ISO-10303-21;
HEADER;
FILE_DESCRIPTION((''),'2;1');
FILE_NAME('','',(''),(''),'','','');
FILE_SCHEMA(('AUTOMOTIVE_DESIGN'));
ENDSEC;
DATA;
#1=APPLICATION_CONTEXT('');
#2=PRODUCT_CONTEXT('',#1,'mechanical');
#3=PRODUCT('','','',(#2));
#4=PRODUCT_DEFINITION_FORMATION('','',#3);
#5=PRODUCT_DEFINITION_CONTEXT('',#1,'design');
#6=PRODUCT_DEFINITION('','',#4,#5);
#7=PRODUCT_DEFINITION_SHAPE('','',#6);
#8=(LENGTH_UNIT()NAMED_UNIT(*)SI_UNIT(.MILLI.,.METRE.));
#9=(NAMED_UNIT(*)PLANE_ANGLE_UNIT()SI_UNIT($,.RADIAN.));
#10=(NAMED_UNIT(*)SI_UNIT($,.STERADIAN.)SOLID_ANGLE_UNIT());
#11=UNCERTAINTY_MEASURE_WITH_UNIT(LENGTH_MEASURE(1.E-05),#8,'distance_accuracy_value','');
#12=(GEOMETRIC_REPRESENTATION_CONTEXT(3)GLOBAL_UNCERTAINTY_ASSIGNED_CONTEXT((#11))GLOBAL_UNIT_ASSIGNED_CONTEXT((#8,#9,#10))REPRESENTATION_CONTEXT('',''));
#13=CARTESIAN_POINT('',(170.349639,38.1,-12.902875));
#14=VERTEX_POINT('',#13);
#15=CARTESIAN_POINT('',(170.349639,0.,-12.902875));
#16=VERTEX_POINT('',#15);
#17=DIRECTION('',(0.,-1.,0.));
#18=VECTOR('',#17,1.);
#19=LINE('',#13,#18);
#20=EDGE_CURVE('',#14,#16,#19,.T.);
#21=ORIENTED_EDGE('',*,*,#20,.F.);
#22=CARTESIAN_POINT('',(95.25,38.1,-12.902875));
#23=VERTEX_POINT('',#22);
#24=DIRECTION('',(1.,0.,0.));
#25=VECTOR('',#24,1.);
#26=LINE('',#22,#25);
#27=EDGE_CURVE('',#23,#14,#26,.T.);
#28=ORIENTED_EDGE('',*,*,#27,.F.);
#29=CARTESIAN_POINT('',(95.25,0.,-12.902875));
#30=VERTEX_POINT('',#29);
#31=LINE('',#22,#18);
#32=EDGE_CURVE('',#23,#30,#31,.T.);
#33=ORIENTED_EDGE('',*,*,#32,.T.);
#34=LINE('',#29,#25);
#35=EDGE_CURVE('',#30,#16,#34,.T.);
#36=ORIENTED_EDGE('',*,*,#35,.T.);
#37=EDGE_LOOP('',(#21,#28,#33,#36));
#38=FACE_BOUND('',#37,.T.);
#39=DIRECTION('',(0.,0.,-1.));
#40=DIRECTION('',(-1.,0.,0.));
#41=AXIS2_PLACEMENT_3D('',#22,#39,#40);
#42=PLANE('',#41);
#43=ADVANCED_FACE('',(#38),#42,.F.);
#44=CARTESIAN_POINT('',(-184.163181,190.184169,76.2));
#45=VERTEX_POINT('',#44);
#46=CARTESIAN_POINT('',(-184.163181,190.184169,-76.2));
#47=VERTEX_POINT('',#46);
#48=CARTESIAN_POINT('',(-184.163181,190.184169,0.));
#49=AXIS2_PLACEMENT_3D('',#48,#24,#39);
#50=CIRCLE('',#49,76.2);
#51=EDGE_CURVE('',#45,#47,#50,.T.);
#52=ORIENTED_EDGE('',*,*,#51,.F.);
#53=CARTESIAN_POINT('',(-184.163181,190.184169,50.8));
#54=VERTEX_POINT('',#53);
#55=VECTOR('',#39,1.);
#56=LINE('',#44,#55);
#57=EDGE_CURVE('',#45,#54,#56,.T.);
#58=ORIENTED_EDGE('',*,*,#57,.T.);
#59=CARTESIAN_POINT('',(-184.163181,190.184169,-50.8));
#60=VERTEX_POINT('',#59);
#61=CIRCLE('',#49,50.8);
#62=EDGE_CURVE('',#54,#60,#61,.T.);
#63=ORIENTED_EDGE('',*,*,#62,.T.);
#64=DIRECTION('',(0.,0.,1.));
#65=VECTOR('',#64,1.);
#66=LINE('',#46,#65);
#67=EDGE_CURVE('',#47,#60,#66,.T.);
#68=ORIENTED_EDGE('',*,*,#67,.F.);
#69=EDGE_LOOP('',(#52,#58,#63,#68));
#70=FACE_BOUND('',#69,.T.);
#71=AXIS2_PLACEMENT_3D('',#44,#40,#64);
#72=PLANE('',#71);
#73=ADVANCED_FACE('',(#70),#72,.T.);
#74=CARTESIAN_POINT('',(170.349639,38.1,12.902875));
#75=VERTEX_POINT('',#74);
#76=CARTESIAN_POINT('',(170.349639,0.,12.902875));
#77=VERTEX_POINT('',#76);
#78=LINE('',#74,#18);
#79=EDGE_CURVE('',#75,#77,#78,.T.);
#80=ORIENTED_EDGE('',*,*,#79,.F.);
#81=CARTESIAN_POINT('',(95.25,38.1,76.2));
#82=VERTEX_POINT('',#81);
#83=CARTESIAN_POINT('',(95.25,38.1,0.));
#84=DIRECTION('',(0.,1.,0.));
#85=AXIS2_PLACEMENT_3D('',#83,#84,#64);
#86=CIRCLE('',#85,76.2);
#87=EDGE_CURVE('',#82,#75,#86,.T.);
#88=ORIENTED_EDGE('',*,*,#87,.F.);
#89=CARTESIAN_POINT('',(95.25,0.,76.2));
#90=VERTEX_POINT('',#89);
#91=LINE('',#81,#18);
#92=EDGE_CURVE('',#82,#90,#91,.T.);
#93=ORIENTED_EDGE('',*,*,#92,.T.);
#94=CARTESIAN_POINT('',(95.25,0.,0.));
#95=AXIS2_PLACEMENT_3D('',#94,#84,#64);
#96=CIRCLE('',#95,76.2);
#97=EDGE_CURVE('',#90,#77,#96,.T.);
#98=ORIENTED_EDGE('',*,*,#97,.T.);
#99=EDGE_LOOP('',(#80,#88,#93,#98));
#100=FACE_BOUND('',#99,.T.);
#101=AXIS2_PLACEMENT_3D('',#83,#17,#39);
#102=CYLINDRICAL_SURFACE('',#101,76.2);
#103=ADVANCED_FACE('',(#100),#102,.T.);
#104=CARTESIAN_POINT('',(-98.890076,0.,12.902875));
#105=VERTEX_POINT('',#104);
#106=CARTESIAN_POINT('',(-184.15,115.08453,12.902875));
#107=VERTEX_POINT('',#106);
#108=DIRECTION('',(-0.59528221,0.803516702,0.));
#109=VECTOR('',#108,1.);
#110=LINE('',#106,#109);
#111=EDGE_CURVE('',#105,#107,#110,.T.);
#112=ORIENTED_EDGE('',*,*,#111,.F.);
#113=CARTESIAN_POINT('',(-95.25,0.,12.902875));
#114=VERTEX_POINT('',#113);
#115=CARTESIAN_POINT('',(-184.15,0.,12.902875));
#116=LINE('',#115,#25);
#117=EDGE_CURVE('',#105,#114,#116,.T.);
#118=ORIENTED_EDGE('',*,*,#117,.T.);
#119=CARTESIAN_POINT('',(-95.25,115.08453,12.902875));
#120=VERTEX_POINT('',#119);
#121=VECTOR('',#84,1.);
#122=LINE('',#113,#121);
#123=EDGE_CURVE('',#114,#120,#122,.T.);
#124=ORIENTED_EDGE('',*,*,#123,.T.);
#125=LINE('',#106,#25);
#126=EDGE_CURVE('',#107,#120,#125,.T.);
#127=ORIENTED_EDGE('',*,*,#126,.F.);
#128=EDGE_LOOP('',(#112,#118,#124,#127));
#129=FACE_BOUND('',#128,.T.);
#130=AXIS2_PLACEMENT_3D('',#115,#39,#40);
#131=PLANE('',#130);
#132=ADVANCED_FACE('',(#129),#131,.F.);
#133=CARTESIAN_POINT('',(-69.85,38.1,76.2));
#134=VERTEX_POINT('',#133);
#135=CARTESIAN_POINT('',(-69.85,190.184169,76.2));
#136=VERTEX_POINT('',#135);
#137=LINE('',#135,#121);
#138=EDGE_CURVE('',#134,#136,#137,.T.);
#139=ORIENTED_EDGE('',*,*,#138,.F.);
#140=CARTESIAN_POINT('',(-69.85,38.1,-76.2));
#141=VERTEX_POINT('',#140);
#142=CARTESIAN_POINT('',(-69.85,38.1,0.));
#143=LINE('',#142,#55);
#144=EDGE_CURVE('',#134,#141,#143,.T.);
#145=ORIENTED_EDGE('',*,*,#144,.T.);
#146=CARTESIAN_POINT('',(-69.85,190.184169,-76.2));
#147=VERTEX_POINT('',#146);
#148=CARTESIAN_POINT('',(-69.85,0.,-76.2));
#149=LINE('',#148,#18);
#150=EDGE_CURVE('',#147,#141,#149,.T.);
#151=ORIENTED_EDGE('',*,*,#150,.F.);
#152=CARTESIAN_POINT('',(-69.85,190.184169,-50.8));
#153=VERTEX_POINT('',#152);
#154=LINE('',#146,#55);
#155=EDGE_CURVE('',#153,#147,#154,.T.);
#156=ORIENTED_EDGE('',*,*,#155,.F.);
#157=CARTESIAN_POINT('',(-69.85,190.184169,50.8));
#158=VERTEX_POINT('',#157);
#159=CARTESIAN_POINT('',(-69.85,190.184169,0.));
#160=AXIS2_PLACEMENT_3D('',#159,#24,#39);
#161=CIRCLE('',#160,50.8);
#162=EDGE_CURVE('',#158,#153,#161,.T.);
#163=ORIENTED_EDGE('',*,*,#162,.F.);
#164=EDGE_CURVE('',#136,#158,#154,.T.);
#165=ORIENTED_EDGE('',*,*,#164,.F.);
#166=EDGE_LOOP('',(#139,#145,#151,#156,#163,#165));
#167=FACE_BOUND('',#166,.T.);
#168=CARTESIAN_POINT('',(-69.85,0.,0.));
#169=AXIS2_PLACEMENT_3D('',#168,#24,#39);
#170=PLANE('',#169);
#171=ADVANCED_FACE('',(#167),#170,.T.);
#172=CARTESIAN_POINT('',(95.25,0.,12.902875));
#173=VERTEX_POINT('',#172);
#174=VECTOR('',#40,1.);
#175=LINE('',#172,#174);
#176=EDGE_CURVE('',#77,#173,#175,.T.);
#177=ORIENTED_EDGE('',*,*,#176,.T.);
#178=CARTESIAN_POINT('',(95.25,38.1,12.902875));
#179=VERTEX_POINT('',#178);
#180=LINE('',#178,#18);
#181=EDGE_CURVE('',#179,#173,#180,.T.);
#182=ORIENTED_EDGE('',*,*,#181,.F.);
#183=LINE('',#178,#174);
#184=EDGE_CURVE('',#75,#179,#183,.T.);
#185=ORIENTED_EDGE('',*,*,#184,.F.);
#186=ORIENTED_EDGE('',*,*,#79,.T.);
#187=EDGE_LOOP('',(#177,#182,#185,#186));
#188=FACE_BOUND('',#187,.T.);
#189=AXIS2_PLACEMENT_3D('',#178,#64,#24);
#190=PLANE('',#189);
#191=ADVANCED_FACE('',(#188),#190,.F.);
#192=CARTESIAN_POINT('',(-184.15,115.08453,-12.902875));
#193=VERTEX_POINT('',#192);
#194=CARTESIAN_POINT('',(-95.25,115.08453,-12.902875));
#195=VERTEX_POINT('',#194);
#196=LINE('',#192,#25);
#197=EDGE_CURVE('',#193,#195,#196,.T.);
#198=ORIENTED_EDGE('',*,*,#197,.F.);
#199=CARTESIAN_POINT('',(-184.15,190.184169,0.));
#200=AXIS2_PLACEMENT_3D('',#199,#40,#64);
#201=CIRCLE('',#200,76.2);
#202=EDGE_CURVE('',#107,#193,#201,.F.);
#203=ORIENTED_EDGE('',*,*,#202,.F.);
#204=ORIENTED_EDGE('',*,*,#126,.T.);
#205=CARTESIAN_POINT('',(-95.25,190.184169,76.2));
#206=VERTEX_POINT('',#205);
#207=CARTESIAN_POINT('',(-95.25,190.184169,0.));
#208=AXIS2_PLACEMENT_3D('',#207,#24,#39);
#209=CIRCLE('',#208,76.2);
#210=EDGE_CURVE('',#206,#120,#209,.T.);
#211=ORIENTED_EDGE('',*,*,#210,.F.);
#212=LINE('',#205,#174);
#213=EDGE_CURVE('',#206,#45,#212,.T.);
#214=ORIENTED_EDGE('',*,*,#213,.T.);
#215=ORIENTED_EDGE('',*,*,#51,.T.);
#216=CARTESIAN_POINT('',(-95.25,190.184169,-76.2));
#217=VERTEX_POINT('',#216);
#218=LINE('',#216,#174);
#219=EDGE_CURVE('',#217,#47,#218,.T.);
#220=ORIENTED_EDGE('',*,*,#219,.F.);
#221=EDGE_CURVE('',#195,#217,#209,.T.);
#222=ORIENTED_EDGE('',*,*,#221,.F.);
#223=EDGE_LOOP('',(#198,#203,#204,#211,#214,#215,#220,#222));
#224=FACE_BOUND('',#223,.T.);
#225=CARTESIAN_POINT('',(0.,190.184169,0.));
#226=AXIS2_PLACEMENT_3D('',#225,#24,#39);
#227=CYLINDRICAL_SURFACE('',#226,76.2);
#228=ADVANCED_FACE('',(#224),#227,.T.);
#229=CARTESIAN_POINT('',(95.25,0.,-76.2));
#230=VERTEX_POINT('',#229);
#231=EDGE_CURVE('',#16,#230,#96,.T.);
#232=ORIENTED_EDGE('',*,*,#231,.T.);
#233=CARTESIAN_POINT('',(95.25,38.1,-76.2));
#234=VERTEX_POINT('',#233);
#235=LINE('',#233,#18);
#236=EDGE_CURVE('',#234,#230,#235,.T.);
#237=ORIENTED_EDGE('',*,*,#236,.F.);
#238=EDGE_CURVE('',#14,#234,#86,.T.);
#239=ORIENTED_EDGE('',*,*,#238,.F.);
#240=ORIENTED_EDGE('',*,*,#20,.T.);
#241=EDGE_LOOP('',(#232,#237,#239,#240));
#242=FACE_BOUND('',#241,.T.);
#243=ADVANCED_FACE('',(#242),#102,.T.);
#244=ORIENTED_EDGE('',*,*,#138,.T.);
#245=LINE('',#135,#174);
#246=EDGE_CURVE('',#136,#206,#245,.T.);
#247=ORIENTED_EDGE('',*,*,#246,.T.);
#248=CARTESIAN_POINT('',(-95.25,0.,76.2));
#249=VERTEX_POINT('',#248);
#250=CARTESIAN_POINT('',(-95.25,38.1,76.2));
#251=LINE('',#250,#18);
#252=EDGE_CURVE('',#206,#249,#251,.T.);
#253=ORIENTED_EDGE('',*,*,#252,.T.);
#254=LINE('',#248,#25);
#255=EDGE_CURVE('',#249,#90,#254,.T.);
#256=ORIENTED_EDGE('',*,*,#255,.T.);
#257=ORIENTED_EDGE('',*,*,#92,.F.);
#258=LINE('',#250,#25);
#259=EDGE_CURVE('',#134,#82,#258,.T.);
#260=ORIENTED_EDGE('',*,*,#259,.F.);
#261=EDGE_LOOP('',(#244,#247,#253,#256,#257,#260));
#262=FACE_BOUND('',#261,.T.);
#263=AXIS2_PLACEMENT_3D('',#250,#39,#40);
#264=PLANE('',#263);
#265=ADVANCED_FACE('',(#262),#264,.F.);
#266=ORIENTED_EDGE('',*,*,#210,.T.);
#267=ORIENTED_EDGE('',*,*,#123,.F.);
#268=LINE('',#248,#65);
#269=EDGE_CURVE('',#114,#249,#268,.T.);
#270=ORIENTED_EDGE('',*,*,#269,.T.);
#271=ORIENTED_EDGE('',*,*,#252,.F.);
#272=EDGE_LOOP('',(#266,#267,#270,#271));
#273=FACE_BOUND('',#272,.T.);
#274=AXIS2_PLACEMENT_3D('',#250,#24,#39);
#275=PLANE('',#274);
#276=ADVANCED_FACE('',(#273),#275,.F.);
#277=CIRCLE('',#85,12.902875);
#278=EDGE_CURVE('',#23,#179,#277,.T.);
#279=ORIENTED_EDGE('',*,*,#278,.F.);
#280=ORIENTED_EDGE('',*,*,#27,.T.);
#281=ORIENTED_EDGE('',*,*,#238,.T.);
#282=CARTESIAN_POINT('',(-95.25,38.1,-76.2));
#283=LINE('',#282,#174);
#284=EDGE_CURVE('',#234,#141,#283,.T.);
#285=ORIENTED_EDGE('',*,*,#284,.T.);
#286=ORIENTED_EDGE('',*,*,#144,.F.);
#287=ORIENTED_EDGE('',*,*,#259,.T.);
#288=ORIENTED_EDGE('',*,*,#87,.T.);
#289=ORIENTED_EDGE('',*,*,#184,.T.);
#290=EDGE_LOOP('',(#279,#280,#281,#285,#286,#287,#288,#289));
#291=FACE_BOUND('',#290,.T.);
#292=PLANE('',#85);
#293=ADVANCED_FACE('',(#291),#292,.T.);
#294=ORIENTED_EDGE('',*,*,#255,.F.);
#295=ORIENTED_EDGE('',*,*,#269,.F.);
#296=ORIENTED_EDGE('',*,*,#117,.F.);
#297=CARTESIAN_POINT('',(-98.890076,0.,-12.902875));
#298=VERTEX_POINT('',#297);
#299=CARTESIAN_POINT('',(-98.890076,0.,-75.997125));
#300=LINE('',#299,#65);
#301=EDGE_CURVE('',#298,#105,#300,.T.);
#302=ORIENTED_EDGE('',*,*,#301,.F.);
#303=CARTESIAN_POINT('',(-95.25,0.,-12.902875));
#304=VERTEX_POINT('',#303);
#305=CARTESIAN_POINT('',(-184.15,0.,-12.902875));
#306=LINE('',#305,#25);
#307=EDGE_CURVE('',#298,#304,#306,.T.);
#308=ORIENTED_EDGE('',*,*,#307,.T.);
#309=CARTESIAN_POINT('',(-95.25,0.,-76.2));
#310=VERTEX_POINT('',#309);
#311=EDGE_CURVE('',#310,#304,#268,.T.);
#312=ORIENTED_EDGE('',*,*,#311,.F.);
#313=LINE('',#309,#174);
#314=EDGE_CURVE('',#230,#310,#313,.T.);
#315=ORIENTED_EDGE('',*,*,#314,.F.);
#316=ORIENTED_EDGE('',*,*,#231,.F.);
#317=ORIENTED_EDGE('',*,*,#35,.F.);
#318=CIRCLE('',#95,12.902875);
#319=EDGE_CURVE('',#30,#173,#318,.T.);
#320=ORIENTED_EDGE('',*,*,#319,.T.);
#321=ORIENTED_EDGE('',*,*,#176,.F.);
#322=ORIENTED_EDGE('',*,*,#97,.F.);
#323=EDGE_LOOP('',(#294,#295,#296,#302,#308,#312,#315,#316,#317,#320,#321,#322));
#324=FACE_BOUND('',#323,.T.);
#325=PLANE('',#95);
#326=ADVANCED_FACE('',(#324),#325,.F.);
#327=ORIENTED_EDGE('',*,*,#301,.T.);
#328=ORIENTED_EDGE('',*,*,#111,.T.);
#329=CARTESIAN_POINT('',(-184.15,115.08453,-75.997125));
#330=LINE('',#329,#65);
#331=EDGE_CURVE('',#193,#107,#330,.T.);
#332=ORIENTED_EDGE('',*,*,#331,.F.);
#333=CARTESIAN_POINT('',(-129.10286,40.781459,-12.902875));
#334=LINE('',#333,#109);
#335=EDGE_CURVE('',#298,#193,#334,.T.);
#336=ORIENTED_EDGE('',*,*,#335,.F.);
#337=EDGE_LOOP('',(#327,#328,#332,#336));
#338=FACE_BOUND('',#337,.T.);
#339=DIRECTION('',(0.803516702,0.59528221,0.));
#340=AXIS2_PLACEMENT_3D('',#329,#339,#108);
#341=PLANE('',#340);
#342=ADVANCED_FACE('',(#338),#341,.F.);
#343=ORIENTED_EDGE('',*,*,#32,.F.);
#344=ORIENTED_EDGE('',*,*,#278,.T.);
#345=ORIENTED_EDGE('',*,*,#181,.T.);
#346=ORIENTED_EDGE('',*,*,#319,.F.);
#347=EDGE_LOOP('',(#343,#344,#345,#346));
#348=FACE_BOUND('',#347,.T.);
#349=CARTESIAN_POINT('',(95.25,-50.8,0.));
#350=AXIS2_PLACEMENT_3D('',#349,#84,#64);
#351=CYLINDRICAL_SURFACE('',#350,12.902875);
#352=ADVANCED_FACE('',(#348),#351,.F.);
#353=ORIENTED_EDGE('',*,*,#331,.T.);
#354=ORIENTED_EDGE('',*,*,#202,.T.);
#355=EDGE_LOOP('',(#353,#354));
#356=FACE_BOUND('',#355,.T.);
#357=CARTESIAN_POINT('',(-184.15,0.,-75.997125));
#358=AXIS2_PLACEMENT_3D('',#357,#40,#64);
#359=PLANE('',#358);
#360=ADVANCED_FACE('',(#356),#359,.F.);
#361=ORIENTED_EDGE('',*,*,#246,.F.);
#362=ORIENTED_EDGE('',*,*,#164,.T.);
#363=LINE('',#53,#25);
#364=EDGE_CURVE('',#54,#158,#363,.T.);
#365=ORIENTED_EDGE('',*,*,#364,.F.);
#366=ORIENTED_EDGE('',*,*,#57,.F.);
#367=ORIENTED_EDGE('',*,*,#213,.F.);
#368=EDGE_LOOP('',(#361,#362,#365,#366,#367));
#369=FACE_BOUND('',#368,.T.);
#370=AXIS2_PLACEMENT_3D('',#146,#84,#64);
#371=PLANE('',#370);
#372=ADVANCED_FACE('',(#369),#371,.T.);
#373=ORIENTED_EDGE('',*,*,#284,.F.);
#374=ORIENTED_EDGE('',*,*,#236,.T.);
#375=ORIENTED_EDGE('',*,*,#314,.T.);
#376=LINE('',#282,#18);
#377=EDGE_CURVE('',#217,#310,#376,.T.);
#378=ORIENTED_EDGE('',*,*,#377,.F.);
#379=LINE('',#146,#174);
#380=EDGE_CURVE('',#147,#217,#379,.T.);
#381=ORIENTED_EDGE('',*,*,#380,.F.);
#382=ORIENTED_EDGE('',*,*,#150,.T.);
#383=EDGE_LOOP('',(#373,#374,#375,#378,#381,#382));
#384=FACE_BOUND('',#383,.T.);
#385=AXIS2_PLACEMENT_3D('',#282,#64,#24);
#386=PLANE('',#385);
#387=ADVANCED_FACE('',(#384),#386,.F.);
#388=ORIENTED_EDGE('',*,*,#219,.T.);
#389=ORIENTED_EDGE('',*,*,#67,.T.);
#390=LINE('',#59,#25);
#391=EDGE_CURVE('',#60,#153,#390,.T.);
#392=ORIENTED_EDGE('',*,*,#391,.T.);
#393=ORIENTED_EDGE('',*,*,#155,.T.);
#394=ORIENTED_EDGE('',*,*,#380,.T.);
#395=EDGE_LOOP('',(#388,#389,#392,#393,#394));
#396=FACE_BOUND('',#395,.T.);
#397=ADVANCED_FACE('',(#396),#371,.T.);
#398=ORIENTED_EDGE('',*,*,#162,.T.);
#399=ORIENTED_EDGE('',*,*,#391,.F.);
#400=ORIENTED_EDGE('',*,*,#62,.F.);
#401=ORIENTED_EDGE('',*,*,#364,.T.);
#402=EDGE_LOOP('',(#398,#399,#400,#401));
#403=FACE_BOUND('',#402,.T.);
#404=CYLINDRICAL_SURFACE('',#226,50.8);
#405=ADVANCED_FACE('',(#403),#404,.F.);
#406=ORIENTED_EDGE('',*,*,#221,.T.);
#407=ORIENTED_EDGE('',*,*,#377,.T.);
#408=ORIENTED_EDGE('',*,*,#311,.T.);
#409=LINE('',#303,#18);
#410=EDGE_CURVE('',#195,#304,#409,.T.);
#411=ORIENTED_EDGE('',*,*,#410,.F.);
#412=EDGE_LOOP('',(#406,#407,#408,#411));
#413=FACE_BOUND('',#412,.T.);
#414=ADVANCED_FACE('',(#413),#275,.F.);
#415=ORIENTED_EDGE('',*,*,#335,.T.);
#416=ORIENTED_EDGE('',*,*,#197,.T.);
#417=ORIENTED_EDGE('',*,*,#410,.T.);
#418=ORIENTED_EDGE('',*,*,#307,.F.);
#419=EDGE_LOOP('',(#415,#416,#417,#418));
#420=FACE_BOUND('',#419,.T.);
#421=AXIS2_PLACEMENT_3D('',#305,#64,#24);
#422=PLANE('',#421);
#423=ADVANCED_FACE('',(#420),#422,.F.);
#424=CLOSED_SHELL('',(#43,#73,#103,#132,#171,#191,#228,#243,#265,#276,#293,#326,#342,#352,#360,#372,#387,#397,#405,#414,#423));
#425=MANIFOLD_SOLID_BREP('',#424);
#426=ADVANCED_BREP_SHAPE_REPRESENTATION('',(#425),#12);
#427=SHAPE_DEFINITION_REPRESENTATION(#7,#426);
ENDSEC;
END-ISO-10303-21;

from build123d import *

# Parameters (mm, degrees)
BOSS_EXTRUDE1_DEPTH = 38.1
SKETCH2_W           = 152.4
SKETCH2_H           = 190.184169006
BOSS_EXTRUDE2_DEPTH = 25.4
SKETCH6_W           = 88.91318071
SKETCH6_H           = 25.4
REVOLVE1_ANGLE      = 180
BOSS_EXTRUDE3_DEPTH = 88.9
CUT_EXTRUDE1_DEPTH  = 88.9
SKETCH9_R           = 12.902875399
CUT_EXTRUDE2_DEPTH  = 88.9
CUT_EXTRUDE3_START  = -30.48
SKETCH11_R          = 50.8
CUT_EXTRUDE3_DEPTH  = 30.48


with BuildPart() as part:
    # Sketch1 → Boss-Extrude1 (new body)
    with BuildSketch(Plane(origin=(0, 0, 0), x_dir=(1, 0, 0), z_dir=(0, 1, 0))):
        with BuildLine():
            Line((95.25, -12.902875399), (95.25, 12.902875399))
            Line((95.25, 12.902875399), (170.34963919, 12.902875399))
            ThreePointArc((170.34963919, 12.902875399), (144.358252334, 58.265080046), (95.25, 76.2))
            Line((95.25, 76.2), (-95.25, 76.2))
            Line((-95.25, 76.2), (-95.25, -76.2))
            Line((-95.25, -76.2), (95.25, -76.2))
            ThreePointArc((95.25, -76.2), (144.358252334, -58.265080046), (170.34963919, -12.902875399))
            Line((170.34963919, -12.902875399), (95.25, -12.902875399))
        make_face()
    extrude(amount=BOSS_EXTRUDE1_DEPTH)

    # Sketch2 → Boss-Extrude2 (add)
    with BuildSketch(Plane.ZY.offset(95.25)):
        with Locations((0, 95.092084503)):
            Rectangle(SKETCH2_W, SKETCH2_H)
    extrude(amount=-BOSS_EXTRUDE2_DEPTH)

    # Sketch6 → Revolve1 (revolve)
    with BuildSketch(Plane(origin=(0, 190.184169006, 0), x_dir=(1, 0, 0), z_dir=(0, 1, 0))):
        with Locations((-139.706590355, 63.5)):
            Rectangle(SKETCH6_W, SKETCH6_H)
    revolve(axis=Axis((0, 190.184169006, 0), (-1, 0, 0)), revolution_arc=REVOLVE1_ANGLE)

    # Sketch7 → Boss-Extrude3 (add)
    with BuildSketch(Plane.ZY.offset(95.25)):
        Polygon((12.902875399, 0), (-12.902875399, 0), (-12.902875399, 115.084529816), (0, 113.984169006), (12.902875399, 115.084529816), align=None)
    extrude(amount=BOSS_EXTRUDE3_DEPTH)

    # Sketch8 → Cut-Extrude1 (cut)
    with BuildSketch(Plane.XY.offset(12.902875399)):
        Polygon((-98.890075703, 0), (-184.15, 0), (-184.15, 115.084529816), align=None)
    extrude(amount=-CUT_EXTRUDE1_DEPTH, mode=Mode.SUBTRACT)

    # Sketch9 → Cut-Extrude2 (cut)
    with BuildSketch(Plane(origin=(0, 38.1, 0), x_dir=(1, 0, 0), z_dir=(0, 1, 0))):
        with Locations((95.25, 0)):
            Circle(SKETCH9_R)
    extrude(amount=-CUT_EXTRUDE2_DEPTH, mode=Mode.SUBTRACT)

    # Sketch11 → Cut-Extrude3 (cut)
    with BuildSketch(Plane.ZY.offset(95.25).offset(CUT_EXTRUDE3_START)):
        with Locations((0, 190.184169006)):
            Circle(SKETCH11_R)
    extrude(amount=CUT_EXTRUDE3_DEPTH, mode=Mode.SUBTRACT)


solid = part.part
